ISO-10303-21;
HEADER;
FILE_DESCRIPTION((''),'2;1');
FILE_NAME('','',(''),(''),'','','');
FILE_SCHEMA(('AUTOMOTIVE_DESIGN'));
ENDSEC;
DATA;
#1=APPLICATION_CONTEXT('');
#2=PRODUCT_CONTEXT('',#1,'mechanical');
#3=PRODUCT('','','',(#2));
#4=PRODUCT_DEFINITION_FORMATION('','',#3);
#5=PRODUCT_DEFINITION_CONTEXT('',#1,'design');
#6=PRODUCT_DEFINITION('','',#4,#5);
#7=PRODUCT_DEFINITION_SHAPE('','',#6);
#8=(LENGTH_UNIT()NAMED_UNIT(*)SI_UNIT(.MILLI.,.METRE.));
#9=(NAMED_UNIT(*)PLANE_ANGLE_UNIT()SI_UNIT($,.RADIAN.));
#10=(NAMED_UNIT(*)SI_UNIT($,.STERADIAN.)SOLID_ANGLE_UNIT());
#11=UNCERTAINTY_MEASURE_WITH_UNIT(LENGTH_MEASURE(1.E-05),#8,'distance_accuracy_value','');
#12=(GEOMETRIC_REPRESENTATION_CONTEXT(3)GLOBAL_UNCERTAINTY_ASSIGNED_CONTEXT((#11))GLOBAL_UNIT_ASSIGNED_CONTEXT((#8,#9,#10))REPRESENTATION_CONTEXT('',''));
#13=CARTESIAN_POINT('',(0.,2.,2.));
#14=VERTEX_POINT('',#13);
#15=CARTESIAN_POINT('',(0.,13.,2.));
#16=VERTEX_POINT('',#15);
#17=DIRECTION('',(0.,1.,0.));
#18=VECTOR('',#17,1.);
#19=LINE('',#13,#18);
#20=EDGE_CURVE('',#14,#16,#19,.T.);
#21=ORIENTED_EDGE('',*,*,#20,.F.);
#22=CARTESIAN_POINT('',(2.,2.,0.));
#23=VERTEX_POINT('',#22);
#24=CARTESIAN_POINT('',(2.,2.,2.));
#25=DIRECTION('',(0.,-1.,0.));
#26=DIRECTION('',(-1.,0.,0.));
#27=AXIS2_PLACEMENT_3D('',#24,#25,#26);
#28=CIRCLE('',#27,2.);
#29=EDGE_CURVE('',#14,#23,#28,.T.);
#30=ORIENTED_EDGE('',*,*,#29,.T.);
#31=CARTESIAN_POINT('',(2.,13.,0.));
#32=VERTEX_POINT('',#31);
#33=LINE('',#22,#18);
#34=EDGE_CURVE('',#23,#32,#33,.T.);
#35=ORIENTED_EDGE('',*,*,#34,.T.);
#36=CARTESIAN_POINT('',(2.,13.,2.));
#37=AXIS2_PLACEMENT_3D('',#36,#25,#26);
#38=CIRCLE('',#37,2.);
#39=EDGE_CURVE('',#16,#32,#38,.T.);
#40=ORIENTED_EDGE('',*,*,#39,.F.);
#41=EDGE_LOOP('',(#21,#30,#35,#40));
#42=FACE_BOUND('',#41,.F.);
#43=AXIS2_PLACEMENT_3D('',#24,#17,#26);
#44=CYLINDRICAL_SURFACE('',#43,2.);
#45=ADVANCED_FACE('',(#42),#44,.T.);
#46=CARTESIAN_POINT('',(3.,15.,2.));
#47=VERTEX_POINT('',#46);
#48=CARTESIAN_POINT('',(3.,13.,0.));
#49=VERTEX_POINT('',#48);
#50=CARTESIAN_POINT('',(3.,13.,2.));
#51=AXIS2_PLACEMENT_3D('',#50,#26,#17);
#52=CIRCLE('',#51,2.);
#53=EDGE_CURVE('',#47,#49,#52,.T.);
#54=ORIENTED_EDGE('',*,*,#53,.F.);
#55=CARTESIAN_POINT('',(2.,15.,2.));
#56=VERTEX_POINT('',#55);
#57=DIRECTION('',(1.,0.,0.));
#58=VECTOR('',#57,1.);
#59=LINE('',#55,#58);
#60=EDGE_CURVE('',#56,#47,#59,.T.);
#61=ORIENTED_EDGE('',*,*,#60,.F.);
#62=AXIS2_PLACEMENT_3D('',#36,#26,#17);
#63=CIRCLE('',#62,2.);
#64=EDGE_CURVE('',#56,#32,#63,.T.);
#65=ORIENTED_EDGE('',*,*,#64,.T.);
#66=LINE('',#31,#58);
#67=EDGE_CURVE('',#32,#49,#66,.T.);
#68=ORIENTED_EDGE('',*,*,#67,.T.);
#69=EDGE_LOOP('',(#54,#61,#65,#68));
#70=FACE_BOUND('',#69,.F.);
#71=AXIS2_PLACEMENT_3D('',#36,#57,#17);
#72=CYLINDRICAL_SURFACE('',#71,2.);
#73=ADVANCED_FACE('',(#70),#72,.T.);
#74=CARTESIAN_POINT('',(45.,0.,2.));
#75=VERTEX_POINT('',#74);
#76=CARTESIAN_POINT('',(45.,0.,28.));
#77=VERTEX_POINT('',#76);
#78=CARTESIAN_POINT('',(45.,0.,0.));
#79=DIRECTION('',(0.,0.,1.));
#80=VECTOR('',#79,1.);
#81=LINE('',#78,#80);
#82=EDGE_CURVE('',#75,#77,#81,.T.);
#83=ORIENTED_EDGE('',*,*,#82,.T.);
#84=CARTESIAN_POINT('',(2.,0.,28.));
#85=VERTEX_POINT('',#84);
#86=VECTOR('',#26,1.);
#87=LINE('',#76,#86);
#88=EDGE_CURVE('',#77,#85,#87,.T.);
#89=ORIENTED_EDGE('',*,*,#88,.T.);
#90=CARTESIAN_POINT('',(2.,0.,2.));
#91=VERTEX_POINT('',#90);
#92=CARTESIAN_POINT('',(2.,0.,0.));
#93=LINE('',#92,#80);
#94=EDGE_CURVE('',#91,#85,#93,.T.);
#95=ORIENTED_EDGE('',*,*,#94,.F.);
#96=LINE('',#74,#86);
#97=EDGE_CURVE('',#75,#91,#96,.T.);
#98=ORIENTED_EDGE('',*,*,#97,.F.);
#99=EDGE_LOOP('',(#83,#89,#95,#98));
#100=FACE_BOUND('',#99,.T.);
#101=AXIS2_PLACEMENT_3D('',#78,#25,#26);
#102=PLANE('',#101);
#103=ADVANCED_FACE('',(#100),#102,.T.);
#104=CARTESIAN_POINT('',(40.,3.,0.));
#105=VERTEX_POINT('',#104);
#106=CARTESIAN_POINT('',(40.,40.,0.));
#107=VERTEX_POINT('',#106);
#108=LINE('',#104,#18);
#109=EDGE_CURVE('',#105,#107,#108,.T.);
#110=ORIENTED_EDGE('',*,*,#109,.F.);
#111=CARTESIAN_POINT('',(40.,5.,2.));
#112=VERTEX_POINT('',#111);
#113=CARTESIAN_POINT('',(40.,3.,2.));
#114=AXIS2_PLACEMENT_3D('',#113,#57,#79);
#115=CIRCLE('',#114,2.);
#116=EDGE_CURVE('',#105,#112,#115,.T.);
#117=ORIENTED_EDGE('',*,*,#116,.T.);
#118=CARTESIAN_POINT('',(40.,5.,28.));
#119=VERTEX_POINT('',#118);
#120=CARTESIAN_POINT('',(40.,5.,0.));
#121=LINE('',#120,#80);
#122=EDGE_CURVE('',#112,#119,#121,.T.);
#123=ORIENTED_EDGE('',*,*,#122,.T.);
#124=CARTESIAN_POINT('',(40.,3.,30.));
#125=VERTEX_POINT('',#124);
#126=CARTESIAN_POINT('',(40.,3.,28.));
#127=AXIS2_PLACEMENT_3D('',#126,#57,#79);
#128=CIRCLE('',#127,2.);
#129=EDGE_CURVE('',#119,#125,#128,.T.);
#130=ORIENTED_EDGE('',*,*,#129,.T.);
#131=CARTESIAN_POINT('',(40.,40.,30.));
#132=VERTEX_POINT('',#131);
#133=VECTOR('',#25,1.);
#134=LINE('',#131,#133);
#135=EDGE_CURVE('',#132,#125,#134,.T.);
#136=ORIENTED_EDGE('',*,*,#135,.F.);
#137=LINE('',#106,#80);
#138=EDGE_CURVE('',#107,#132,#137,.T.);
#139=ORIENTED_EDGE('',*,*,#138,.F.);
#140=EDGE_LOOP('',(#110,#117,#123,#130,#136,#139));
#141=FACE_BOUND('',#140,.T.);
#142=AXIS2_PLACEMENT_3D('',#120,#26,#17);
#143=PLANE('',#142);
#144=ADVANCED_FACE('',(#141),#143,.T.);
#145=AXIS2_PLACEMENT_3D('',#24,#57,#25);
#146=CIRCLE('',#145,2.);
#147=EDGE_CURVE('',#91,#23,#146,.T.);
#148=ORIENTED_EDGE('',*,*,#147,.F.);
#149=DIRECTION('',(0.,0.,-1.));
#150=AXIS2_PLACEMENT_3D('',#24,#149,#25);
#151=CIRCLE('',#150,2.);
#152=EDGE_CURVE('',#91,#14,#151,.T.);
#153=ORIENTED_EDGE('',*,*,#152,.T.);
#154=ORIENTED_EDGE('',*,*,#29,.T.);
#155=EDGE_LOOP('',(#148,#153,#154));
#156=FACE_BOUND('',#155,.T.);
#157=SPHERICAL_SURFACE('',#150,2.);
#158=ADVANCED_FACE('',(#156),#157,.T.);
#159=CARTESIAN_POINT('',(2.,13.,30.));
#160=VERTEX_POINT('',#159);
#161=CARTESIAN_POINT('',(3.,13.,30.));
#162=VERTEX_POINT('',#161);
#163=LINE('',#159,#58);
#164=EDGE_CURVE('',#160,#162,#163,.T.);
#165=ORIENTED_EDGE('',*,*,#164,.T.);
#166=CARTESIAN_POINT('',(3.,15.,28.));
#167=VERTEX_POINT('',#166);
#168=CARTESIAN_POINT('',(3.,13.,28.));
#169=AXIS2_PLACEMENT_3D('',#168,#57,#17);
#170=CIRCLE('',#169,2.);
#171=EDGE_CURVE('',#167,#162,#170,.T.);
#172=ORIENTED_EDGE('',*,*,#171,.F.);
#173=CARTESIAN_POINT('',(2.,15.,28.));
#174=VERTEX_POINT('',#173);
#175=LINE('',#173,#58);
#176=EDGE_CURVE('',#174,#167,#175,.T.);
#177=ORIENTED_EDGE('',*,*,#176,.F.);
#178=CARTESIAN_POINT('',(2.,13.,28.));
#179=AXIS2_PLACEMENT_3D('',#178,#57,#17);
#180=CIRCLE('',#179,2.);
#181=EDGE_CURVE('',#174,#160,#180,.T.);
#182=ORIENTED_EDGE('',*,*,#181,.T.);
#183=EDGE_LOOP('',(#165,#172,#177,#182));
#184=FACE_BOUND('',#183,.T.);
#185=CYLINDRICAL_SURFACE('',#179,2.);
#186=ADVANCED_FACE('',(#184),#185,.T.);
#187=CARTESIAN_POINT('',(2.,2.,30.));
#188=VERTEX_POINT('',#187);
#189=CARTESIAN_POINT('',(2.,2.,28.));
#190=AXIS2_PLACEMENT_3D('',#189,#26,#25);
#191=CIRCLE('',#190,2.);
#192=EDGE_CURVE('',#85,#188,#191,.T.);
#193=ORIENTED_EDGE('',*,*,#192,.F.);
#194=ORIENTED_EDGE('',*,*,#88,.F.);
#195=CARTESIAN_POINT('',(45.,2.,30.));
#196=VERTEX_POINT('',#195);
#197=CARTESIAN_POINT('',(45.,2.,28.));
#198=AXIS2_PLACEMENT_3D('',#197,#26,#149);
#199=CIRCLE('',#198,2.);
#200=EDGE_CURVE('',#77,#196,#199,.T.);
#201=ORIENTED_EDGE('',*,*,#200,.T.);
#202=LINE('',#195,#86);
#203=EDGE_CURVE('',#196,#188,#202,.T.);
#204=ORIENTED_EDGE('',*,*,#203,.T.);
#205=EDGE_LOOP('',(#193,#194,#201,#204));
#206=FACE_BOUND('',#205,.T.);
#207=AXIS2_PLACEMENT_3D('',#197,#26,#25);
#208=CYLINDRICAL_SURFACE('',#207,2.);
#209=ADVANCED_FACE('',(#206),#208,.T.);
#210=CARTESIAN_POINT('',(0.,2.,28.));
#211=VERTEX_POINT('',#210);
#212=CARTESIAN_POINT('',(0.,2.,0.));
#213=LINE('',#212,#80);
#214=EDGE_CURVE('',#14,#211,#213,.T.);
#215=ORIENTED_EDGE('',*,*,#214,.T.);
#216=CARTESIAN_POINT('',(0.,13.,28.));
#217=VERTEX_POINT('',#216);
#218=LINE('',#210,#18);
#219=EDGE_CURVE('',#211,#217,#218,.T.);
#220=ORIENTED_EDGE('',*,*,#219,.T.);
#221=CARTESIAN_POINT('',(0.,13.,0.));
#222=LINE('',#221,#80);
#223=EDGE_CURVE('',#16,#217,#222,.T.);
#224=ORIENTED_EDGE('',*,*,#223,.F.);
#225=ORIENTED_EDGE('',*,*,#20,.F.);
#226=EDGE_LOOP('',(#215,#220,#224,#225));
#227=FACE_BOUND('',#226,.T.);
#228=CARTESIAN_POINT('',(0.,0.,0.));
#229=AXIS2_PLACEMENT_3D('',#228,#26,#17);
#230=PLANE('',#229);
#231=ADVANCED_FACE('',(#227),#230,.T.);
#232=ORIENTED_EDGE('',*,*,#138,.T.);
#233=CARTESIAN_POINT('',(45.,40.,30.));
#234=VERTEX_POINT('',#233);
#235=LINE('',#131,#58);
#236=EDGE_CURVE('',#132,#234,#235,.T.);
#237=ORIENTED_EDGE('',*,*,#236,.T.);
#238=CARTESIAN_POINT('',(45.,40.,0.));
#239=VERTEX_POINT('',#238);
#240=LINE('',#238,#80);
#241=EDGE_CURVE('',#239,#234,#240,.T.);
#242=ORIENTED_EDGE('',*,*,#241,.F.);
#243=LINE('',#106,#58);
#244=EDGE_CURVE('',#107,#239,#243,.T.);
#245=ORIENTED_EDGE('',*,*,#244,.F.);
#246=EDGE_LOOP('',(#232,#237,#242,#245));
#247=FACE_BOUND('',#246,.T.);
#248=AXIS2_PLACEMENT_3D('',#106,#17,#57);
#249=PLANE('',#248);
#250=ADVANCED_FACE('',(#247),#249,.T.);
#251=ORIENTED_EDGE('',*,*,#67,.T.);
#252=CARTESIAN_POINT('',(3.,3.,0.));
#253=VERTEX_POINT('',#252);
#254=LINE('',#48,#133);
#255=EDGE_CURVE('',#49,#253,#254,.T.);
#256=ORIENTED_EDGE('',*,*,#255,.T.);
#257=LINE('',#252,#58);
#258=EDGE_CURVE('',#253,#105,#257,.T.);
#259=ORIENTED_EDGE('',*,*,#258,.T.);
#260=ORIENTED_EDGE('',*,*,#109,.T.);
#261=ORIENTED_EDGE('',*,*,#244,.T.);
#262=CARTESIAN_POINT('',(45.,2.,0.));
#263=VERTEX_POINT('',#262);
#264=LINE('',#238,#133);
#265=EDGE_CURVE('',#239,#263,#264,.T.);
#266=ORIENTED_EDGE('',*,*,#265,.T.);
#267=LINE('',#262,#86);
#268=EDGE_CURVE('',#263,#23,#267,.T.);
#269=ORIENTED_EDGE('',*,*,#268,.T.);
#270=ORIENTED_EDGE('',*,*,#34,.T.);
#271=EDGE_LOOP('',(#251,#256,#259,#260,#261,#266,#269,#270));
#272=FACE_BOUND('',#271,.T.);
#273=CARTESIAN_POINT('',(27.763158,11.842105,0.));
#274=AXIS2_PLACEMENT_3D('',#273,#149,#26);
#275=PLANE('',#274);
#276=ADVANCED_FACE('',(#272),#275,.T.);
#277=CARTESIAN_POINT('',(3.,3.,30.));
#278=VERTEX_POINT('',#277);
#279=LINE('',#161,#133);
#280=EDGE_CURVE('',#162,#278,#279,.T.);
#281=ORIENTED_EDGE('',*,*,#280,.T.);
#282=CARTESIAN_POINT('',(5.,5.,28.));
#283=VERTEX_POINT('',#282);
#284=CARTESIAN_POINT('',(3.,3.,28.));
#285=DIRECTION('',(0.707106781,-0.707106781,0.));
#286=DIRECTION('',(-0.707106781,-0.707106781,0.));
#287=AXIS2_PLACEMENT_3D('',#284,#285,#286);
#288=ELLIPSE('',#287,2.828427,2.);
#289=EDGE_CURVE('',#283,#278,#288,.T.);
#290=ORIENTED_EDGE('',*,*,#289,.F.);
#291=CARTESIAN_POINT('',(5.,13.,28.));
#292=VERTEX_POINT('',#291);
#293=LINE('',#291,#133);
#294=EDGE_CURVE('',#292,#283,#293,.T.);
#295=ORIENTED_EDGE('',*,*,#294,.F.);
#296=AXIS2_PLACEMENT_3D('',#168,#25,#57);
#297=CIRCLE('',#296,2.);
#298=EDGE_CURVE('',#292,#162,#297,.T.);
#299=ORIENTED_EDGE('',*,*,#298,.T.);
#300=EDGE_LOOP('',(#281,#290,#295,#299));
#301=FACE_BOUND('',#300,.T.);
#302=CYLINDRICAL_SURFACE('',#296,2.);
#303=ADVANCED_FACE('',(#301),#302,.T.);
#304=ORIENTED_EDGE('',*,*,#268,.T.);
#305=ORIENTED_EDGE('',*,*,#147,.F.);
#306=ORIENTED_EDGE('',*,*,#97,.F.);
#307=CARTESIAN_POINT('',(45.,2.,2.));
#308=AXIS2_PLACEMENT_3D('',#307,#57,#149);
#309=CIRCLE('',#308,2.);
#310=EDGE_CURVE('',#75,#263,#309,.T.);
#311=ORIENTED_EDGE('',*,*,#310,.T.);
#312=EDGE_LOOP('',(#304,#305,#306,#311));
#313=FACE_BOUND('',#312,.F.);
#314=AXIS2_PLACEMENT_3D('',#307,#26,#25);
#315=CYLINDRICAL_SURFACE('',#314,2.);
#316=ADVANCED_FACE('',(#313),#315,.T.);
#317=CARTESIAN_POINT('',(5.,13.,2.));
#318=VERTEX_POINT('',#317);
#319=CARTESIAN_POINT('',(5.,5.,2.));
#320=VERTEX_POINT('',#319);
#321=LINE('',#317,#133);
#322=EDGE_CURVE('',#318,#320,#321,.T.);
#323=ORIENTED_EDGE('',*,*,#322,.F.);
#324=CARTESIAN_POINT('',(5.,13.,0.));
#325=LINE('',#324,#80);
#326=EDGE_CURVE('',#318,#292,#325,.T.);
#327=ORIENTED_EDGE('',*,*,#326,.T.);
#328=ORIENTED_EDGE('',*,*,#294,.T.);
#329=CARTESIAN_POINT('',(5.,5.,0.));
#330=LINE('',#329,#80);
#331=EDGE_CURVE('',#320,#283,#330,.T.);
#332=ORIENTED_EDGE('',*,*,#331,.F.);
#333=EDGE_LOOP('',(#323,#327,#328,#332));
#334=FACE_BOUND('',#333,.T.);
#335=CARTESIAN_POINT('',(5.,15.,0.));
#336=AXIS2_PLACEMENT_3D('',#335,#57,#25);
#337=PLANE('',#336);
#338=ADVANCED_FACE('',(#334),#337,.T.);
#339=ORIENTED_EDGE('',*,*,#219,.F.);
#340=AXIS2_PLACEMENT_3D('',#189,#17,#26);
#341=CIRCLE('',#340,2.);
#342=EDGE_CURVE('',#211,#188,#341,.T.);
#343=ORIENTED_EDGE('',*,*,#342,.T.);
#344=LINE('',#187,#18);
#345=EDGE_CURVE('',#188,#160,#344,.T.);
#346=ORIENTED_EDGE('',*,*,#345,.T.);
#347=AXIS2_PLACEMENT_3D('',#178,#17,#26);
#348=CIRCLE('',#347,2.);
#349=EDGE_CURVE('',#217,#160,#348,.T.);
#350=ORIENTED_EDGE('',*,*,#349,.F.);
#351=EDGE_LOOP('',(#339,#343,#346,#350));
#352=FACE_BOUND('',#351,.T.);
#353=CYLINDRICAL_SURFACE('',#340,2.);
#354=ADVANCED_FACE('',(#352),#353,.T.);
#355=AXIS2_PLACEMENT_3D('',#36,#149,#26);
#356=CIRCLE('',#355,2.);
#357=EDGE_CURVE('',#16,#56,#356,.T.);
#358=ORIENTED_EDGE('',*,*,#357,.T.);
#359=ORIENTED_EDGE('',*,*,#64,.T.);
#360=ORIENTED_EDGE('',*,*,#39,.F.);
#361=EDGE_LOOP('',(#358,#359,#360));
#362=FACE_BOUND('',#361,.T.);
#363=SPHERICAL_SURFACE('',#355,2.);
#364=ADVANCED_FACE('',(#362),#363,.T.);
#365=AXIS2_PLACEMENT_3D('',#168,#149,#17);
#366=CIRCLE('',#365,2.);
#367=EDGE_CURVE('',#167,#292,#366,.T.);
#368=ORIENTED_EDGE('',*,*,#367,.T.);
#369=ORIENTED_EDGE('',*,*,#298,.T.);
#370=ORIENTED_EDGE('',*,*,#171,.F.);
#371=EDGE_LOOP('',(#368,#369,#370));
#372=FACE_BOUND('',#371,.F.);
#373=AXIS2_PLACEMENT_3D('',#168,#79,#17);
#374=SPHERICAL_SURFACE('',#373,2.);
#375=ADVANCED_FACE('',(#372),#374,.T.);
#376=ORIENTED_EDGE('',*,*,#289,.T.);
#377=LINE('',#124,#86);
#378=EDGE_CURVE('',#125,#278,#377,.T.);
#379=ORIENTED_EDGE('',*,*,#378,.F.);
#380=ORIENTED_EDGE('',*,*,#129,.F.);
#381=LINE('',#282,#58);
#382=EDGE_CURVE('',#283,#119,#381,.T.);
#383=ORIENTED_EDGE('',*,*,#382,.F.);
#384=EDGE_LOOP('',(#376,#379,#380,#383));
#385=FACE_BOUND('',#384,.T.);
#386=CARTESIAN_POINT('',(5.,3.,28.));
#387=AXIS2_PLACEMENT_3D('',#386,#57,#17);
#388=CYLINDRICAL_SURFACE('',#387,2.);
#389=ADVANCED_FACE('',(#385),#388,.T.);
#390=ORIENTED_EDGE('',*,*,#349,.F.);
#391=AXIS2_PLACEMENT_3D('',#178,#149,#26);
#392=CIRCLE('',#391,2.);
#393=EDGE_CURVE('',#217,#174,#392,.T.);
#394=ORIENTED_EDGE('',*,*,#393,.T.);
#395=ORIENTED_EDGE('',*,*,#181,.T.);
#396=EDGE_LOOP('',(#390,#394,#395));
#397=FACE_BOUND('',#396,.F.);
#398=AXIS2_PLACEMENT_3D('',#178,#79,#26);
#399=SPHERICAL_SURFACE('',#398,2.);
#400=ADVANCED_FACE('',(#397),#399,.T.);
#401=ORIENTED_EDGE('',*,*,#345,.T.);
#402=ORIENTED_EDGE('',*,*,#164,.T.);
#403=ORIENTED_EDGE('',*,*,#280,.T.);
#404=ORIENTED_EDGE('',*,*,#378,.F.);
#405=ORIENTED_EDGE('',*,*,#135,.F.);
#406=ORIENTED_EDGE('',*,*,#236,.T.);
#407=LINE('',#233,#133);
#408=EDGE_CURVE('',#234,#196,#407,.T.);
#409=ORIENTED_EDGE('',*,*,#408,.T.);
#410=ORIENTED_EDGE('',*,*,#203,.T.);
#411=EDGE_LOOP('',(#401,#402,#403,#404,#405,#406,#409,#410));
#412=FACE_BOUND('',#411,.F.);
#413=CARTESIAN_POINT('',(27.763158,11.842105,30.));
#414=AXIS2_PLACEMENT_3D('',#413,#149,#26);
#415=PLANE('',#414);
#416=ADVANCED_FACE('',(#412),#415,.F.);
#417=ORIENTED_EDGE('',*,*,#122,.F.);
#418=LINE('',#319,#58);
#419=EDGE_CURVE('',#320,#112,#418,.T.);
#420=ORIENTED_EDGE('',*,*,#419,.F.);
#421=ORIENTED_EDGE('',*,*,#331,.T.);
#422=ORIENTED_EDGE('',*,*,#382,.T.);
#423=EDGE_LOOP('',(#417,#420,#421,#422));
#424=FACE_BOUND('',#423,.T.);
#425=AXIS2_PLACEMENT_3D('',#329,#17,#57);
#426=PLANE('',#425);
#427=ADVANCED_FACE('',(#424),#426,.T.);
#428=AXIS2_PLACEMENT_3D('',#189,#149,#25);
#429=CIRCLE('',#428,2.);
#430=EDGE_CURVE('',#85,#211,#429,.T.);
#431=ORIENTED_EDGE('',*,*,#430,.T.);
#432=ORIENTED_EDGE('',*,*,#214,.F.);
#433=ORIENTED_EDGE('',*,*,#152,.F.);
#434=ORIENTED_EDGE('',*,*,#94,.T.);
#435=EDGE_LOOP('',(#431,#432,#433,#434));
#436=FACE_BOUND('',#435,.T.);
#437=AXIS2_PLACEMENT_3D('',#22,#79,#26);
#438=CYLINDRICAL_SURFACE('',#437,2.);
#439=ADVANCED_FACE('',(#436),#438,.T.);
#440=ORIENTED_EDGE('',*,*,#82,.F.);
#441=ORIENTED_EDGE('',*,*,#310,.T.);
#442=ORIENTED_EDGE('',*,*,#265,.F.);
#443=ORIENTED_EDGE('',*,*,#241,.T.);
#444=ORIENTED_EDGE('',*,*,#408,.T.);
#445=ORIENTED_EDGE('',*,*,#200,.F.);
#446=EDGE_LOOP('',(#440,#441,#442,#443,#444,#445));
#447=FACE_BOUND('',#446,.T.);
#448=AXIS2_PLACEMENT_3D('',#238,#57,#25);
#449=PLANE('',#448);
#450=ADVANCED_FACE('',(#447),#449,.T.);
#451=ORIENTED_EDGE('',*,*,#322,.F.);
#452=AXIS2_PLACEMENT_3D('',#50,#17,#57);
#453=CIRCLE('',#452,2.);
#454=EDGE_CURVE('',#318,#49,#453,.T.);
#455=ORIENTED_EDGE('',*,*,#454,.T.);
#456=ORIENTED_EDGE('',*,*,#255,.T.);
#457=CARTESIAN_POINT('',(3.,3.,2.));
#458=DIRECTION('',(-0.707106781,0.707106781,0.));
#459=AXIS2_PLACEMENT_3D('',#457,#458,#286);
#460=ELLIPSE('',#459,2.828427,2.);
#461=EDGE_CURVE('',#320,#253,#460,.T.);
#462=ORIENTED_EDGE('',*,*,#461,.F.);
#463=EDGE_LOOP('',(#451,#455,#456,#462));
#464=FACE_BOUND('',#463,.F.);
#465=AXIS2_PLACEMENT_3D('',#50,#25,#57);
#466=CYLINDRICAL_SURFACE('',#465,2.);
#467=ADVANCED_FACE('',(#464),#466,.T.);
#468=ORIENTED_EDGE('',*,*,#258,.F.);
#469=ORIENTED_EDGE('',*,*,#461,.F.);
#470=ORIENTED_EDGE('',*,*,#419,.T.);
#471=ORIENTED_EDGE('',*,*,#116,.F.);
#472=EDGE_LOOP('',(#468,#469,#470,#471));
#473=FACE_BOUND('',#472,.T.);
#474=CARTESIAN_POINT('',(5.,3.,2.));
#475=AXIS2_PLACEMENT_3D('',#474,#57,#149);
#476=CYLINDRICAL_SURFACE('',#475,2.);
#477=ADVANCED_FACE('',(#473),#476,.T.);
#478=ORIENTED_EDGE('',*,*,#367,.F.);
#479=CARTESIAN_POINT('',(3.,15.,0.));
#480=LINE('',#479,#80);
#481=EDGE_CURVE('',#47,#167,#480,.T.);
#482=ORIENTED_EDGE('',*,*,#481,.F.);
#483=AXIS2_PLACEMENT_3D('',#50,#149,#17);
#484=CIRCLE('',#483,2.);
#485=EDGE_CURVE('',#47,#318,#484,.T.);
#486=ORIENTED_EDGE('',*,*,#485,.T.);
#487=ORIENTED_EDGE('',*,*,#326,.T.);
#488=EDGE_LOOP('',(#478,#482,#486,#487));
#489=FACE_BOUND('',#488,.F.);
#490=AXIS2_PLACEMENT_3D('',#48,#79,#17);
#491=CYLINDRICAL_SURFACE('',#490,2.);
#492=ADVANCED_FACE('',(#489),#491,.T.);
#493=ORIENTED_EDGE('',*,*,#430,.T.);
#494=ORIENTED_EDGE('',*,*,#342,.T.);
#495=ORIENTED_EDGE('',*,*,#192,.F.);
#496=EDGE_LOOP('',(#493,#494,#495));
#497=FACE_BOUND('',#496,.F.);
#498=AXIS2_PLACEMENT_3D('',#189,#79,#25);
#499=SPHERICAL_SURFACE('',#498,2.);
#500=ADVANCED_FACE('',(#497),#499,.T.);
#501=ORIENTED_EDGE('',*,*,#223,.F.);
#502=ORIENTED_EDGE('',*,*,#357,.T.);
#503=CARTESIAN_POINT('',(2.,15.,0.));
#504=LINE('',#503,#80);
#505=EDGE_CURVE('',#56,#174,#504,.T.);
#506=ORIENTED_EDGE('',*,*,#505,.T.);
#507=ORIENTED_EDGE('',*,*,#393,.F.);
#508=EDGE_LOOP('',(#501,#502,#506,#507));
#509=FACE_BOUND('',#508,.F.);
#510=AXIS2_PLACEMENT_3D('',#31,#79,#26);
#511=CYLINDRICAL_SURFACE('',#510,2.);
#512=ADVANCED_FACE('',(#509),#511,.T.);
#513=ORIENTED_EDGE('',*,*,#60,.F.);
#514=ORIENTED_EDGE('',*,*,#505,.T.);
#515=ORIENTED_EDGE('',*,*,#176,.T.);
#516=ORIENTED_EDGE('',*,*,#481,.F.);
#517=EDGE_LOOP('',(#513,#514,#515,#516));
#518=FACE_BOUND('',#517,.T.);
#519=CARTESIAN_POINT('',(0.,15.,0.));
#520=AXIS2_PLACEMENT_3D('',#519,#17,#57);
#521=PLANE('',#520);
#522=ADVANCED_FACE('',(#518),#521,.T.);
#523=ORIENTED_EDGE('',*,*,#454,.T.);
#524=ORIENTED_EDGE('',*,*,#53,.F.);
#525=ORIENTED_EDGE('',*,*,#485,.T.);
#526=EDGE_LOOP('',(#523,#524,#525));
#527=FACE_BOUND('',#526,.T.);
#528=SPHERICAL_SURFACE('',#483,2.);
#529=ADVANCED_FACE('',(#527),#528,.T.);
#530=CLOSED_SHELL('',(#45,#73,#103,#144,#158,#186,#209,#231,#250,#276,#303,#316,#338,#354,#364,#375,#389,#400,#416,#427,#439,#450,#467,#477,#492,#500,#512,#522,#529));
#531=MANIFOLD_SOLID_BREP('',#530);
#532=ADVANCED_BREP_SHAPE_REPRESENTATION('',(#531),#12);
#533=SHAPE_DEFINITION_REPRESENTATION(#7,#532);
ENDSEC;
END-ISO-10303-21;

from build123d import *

# Parameters (mm, degrees)
PAD_DEPTH   = 30
FILLET_R    = 2
FILLET001_R = 2
FILLET002_R = 2
FILLET003_R = 2
FILLET004_R = 2
FILLET005_R = 2
FILLET006_R = 2


with BuildPart() as part:
    # Sketch → Pad (new body)
    with BuildSketch(Plane.XY):
        Polygon((45, 40), (45, 0), (0, 0), (0, 15), (5, 15), (5, 5), (40, 5), (40, 40), align=None)
    extrude(amount=PAD_DEPTH)

    # Fillet
    fillet_edges = [part.edges().sort_by_distance(p)[0] for p in [
        (0, 15, 15),
    ]]
    fillet(fillet_edges, radius=FILLET_R)

    # Fillet001
    fillet001_edges = [part.edges().sort_by_distance(p)[0] for p in [
        (5, 15, 15),
    ]]
    fillet(fillet001_edges, radius=FILLET001_R)

    # Fillet002
    fillet002_edges = [part.edges().sort_by_distance(p)[0] for p in [
        (0, 0, 15),
    ]]
    fillet(fillet002_edges, radius=FILLET002_R)

    # Fillet003
    fillet003_edges = [part.edges().sort_by_distance(p)[0] for p in [
        (22.5, 5, 30),
    ]]
    fillet(fillet003_edges, radius=FILLET003_R)

    # Fillet004
    fillet004_edges = [part.edges().sort_by_distance(p)[0] for p in [
        (22.5, 5, 0),
    ]]
    fillet(fillet004_edges, radius=FILLET004_R)

    # Fillet005
    fillet005_edges = [part.edges().sort_by_distance(p)[0] for p in [
        (5, 9, 30),
    ]]
    fillet(fillet005_edges, radius=FILLET005_R)

    # Fillet006
    fillet006_edges = [part.edges().sort_by_distance(p)[0] for p in [
        (0, 7.5, 0),
    ]]
    fillet(fillet006_edges, radius=FILLET006_R)


solid = part.part
